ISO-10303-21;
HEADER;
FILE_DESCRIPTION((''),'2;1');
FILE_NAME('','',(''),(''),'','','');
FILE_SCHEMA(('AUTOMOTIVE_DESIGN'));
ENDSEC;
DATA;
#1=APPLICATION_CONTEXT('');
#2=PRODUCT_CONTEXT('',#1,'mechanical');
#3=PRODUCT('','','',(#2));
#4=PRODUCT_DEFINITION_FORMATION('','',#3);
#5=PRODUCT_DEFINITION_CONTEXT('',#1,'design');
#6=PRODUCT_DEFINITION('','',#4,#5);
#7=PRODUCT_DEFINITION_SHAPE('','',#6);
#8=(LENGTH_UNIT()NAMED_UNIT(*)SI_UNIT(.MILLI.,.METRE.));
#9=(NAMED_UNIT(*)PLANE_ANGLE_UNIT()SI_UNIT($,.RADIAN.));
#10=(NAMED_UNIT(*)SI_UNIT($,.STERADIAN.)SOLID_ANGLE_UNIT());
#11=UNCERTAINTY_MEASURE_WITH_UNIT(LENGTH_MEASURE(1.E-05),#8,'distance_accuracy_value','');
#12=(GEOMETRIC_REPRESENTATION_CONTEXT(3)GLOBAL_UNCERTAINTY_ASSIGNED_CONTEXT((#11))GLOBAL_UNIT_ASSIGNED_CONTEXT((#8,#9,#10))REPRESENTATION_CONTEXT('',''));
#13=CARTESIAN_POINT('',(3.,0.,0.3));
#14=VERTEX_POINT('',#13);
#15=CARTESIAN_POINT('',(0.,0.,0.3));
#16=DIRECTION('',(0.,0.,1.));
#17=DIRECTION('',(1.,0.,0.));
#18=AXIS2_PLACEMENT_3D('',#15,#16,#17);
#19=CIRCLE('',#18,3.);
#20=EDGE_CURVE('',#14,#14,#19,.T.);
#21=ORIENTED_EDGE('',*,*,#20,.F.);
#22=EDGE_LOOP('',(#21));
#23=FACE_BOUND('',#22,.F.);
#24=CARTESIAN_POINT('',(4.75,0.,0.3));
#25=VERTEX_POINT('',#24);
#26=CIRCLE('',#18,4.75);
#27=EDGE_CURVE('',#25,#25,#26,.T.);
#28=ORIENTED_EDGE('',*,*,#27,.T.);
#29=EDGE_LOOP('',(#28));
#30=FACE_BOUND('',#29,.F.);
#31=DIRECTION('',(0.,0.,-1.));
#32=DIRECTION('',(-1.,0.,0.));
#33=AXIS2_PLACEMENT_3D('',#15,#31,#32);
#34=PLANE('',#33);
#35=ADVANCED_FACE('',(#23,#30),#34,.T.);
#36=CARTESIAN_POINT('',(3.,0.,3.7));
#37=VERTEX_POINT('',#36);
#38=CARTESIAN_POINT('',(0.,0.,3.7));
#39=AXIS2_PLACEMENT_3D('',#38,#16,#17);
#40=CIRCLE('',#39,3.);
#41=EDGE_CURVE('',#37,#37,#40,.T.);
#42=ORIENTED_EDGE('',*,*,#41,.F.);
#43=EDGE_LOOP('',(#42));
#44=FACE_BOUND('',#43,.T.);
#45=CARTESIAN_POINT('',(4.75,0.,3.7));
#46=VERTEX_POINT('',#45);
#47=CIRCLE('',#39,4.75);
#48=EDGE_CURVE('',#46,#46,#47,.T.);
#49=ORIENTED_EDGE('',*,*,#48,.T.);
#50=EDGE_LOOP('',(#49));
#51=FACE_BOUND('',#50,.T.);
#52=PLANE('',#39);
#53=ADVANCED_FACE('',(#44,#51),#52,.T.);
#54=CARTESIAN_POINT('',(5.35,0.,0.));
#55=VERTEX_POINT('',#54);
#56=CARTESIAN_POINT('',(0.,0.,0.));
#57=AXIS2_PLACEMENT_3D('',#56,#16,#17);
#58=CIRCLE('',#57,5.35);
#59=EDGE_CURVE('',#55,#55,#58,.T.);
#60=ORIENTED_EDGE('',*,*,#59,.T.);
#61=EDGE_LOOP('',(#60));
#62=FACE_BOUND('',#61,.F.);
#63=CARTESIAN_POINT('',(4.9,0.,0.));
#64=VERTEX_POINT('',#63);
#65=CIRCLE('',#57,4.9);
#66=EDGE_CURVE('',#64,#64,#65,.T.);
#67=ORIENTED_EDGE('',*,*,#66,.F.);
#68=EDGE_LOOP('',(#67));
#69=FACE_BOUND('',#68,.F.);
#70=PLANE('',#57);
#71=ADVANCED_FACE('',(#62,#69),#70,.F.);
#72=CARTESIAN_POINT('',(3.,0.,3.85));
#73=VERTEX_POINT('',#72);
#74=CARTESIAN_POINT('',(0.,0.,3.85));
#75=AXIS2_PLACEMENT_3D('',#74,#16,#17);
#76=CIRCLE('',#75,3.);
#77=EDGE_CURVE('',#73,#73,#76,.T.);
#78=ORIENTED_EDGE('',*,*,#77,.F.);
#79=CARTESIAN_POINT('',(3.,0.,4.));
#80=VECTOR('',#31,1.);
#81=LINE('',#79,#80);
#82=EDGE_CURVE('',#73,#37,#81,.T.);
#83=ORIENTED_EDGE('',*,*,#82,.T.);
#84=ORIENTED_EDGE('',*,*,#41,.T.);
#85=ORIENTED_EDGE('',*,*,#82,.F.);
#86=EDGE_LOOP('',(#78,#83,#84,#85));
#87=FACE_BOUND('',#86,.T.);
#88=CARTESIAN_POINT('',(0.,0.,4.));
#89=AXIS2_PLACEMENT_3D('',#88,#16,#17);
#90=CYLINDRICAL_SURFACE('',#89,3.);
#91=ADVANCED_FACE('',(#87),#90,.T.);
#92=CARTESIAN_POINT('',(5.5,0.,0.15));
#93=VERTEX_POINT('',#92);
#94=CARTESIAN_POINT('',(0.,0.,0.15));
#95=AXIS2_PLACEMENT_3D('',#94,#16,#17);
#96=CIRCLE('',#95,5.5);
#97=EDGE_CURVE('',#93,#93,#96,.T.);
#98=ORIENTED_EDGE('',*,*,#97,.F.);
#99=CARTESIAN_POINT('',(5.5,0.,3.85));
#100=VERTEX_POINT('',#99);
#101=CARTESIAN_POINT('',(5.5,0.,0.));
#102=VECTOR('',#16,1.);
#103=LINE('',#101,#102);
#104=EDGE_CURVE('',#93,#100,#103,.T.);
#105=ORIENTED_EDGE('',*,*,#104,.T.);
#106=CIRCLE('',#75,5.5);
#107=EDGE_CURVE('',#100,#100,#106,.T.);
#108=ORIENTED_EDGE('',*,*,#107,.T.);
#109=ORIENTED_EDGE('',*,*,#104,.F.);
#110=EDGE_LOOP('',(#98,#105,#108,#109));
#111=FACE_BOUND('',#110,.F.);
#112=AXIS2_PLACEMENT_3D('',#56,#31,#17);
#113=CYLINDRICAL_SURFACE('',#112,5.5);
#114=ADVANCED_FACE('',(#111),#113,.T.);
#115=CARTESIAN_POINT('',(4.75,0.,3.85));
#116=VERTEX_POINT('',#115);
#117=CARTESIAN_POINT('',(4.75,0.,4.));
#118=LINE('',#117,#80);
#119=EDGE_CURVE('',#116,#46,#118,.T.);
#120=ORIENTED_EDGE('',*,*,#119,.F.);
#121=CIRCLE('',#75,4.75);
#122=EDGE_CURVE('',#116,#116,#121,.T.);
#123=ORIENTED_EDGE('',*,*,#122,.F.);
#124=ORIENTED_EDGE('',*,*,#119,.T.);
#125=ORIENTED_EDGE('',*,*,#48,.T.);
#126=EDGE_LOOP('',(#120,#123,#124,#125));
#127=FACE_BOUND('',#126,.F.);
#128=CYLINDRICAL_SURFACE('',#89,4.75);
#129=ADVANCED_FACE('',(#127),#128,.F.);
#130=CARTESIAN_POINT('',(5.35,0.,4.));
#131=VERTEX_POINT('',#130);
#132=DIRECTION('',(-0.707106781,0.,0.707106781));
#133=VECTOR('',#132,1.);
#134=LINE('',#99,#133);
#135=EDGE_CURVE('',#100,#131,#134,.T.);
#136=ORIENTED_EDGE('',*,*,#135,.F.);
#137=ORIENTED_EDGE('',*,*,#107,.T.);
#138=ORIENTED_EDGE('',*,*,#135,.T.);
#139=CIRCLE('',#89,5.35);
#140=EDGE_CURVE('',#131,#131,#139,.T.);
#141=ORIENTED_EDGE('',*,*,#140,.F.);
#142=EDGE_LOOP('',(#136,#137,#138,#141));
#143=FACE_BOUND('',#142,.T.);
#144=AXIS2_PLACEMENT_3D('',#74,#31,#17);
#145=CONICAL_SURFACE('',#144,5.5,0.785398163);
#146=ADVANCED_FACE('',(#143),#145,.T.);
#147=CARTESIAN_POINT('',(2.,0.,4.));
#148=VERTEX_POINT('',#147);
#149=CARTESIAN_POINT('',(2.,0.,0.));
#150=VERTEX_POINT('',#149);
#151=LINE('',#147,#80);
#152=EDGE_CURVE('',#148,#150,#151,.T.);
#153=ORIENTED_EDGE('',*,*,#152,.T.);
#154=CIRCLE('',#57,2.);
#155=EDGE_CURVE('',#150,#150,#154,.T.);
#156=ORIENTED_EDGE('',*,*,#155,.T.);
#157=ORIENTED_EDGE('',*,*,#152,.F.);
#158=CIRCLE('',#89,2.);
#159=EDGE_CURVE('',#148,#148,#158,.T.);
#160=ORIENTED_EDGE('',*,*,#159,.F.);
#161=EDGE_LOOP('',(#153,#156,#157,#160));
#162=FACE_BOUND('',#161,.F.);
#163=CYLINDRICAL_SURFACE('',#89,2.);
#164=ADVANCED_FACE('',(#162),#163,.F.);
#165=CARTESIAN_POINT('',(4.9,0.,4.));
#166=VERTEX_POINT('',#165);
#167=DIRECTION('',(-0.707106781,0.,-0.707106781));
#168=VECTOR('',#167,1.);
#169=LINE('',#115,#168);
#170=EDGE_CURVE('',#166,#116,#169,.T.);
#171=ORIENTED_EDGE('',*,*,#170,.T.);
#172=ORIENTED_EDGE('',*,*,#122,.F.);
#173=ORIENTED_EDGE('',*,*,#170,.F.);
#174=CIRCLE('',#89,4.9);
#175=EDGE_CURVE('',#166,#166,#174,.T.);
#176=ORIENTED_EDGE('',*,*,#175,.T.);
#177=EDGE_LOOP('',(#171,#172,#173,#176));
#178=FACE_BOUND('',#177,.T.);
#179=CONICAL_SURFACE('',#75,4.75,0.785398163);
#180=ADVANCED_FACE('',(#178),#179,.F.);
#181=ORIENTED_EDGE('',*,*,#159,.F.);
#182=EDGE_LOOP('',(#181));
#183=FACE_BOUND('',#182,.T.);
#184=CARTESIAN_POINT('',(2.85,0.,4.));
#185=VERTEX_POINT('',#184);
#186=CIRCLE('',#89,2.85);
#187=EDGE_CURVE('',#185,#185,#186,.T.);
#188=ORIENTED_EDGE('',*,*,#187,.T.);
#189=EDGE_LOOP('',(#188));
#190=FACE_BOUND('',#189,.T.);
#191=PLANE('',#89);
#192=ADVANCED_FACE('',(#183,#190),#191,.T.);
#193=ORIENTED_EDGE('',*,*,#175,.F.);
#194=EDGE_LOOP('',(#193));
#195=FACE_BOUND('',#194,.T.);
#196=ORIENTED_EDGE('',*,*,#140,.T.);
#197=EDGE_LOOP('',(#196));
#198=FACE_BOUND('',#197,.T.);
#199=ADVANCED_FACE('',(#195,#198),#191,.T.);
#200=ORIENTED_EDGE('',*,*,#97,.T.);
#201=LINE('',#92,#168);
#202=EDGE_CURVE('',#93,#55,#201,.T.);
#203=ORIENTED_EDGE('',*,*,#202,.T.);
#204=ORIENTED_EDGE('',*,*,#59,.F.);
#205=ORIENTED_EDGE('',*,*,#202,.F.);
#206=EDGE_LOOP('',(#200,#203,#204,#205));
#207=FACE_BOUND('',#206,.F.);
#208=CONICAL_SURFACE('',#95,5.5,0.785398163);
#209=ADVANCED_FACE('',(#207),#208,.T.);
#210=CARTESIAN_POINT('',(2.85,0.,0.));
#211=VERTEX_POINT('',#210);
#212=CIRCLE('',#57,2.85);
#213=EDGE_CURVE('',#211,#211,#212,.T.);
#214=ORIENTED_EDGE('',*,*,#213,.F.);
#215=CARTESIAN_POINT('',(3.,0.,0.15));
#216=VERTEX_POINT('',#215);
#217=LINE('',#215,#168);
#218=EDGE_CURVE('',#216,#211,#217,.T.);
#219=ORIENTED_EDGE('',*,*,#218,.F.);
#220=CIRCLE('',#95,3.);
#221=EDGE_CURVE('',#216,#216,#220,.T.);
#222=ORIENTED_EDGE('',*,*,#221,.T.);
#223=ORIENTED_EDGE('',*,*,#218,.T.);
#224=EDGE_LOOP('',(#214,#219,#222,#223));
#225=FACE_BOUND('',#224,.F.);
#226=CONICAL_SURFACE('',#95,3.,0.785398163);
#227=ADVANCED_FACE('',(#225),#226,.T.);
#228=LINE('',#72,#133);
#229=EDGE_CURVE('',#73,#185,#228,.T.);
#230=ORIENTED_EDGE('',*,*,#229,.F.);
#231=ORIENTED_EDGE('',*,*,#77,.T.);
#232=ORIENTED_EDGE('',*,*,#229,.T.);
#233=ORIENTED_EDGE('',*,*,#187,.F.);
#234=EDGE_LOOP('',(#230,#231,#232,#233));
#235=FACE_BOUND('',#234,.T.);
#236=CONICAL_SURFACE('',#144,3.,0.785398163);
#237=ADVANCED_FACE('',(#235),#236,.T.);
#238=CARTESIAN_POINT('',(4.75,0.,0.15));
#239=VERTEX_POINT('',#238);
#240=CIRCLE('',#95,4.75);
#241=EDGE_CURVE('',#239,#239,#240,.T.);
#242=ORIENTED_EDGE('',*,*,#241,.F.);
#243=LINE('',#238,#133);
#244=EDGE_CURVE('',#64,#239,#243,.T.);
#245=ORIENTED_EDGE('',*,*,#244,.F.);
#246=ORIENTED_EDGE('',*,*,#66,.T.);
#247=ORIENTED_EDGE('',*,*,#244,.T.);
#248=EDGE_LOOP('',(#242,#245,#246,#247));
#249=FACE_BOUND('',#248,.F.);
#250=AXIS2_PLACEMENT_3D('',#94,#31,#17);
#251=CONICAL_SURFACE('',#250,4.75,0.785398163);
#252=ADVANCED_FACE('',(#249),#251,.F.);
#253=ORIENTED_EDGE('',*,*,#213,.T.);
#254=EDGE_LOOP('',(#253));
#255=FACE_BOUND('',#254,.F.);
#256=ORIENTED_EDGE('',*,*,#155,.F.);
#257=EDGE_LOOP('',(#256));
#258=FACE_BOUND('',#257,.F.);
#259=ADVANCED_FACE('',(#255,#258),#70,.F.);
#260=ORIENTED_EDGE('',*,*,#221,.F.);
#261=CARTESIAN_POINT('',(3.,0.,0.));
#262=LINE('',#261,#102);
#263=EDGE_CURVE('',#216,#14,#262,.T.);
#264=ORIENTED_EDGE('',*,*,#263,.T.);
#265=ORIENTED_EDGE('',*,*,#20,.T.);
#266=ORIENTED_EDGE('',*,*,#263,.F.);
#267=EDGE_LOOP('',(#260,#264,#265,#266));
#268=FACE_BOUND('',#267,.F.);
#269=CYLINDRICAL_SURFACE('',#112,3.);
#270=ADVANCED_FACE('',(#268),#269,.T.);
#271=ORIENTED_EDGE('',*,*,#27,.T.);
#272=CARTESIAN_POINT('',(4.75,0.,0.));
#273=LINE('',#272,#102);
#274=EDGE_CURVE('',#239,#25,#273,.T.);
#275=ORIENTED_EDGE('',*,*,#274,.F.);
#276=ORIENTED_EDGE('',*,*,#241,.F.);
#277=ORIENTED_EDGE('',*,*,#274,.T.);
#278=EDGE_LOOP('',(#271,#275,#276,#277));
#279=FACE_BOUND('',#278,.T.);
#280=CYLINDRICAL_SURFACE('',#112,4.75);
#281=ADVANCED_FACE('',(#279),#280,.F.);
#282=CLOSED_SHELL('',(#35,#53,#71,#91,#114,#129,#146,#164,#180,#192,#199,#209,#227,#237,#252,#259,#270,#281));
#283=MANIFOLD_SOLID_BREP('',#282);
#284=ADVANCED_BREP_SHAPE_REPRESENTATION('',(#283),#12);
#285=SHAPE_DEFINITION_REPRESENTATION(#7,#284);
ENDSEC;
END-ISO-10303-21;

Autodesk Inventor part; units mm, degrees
ref_plane "YZ Plane" through (0, 0, 0) normal (1, 0, 0) x (0, 1, 0)
ref_plane "XZ Plane" through (0, 0, 0) normal (0, 1, 0) x (-1, 0, 0)
sketch "Sketch1" plane through (0, 0, 0) normal (0, 0, 1) x (1, 0, 0)
  circle A0 centre (0, 0) radius 5.5
  dimension "d0" = 11
extrude "Extrusion1" add sketch "Sketch1" along normal blind 4
sketch "Sketch2" plane through (0, 0, 4) normal (0, 0, 1) x (1, 0, 0)
  circle A0 centre (0, 0) radius 2
  dimension "d3" = 4
extrude "Extrusion2" cut sketch "Sketch2" against normal blind 4
sketch "Sketch3" plane through (0, 0, 4) normal (0, 0, 1) x (1, 0, 0)
  circle A0 centre (0, 0) radius 2 projected
  circle A1 centre (0, 0) radius 3
  circle A2 centre (0, 0) radius 4.75
  dimension "d6" = 1
  dimension "d7" = 9.5
extrude "Extrusion3" cut sketch "Sketch3" against normal blind 0.3 contours A2
ref_plane "Work Plane1" through (0, 0, 2) normal (0, 0, 1) x (1, 0, 0)
mirror "Mirror1" about plane through (0, 0, 2) normal (0, 0, 1) of "Extrusion3"
chamfer "Chamfer1" distance 0.15 angle 45 6 edges at (-4.75, 0, 4) (-3, 0, 4) (-3, 0, 0) (-4.75, 0, 0) (-5.5, 0, 4) (-5.5, 0, 0)
properties part number "roller bearing" material "Steel AISI 1118"
